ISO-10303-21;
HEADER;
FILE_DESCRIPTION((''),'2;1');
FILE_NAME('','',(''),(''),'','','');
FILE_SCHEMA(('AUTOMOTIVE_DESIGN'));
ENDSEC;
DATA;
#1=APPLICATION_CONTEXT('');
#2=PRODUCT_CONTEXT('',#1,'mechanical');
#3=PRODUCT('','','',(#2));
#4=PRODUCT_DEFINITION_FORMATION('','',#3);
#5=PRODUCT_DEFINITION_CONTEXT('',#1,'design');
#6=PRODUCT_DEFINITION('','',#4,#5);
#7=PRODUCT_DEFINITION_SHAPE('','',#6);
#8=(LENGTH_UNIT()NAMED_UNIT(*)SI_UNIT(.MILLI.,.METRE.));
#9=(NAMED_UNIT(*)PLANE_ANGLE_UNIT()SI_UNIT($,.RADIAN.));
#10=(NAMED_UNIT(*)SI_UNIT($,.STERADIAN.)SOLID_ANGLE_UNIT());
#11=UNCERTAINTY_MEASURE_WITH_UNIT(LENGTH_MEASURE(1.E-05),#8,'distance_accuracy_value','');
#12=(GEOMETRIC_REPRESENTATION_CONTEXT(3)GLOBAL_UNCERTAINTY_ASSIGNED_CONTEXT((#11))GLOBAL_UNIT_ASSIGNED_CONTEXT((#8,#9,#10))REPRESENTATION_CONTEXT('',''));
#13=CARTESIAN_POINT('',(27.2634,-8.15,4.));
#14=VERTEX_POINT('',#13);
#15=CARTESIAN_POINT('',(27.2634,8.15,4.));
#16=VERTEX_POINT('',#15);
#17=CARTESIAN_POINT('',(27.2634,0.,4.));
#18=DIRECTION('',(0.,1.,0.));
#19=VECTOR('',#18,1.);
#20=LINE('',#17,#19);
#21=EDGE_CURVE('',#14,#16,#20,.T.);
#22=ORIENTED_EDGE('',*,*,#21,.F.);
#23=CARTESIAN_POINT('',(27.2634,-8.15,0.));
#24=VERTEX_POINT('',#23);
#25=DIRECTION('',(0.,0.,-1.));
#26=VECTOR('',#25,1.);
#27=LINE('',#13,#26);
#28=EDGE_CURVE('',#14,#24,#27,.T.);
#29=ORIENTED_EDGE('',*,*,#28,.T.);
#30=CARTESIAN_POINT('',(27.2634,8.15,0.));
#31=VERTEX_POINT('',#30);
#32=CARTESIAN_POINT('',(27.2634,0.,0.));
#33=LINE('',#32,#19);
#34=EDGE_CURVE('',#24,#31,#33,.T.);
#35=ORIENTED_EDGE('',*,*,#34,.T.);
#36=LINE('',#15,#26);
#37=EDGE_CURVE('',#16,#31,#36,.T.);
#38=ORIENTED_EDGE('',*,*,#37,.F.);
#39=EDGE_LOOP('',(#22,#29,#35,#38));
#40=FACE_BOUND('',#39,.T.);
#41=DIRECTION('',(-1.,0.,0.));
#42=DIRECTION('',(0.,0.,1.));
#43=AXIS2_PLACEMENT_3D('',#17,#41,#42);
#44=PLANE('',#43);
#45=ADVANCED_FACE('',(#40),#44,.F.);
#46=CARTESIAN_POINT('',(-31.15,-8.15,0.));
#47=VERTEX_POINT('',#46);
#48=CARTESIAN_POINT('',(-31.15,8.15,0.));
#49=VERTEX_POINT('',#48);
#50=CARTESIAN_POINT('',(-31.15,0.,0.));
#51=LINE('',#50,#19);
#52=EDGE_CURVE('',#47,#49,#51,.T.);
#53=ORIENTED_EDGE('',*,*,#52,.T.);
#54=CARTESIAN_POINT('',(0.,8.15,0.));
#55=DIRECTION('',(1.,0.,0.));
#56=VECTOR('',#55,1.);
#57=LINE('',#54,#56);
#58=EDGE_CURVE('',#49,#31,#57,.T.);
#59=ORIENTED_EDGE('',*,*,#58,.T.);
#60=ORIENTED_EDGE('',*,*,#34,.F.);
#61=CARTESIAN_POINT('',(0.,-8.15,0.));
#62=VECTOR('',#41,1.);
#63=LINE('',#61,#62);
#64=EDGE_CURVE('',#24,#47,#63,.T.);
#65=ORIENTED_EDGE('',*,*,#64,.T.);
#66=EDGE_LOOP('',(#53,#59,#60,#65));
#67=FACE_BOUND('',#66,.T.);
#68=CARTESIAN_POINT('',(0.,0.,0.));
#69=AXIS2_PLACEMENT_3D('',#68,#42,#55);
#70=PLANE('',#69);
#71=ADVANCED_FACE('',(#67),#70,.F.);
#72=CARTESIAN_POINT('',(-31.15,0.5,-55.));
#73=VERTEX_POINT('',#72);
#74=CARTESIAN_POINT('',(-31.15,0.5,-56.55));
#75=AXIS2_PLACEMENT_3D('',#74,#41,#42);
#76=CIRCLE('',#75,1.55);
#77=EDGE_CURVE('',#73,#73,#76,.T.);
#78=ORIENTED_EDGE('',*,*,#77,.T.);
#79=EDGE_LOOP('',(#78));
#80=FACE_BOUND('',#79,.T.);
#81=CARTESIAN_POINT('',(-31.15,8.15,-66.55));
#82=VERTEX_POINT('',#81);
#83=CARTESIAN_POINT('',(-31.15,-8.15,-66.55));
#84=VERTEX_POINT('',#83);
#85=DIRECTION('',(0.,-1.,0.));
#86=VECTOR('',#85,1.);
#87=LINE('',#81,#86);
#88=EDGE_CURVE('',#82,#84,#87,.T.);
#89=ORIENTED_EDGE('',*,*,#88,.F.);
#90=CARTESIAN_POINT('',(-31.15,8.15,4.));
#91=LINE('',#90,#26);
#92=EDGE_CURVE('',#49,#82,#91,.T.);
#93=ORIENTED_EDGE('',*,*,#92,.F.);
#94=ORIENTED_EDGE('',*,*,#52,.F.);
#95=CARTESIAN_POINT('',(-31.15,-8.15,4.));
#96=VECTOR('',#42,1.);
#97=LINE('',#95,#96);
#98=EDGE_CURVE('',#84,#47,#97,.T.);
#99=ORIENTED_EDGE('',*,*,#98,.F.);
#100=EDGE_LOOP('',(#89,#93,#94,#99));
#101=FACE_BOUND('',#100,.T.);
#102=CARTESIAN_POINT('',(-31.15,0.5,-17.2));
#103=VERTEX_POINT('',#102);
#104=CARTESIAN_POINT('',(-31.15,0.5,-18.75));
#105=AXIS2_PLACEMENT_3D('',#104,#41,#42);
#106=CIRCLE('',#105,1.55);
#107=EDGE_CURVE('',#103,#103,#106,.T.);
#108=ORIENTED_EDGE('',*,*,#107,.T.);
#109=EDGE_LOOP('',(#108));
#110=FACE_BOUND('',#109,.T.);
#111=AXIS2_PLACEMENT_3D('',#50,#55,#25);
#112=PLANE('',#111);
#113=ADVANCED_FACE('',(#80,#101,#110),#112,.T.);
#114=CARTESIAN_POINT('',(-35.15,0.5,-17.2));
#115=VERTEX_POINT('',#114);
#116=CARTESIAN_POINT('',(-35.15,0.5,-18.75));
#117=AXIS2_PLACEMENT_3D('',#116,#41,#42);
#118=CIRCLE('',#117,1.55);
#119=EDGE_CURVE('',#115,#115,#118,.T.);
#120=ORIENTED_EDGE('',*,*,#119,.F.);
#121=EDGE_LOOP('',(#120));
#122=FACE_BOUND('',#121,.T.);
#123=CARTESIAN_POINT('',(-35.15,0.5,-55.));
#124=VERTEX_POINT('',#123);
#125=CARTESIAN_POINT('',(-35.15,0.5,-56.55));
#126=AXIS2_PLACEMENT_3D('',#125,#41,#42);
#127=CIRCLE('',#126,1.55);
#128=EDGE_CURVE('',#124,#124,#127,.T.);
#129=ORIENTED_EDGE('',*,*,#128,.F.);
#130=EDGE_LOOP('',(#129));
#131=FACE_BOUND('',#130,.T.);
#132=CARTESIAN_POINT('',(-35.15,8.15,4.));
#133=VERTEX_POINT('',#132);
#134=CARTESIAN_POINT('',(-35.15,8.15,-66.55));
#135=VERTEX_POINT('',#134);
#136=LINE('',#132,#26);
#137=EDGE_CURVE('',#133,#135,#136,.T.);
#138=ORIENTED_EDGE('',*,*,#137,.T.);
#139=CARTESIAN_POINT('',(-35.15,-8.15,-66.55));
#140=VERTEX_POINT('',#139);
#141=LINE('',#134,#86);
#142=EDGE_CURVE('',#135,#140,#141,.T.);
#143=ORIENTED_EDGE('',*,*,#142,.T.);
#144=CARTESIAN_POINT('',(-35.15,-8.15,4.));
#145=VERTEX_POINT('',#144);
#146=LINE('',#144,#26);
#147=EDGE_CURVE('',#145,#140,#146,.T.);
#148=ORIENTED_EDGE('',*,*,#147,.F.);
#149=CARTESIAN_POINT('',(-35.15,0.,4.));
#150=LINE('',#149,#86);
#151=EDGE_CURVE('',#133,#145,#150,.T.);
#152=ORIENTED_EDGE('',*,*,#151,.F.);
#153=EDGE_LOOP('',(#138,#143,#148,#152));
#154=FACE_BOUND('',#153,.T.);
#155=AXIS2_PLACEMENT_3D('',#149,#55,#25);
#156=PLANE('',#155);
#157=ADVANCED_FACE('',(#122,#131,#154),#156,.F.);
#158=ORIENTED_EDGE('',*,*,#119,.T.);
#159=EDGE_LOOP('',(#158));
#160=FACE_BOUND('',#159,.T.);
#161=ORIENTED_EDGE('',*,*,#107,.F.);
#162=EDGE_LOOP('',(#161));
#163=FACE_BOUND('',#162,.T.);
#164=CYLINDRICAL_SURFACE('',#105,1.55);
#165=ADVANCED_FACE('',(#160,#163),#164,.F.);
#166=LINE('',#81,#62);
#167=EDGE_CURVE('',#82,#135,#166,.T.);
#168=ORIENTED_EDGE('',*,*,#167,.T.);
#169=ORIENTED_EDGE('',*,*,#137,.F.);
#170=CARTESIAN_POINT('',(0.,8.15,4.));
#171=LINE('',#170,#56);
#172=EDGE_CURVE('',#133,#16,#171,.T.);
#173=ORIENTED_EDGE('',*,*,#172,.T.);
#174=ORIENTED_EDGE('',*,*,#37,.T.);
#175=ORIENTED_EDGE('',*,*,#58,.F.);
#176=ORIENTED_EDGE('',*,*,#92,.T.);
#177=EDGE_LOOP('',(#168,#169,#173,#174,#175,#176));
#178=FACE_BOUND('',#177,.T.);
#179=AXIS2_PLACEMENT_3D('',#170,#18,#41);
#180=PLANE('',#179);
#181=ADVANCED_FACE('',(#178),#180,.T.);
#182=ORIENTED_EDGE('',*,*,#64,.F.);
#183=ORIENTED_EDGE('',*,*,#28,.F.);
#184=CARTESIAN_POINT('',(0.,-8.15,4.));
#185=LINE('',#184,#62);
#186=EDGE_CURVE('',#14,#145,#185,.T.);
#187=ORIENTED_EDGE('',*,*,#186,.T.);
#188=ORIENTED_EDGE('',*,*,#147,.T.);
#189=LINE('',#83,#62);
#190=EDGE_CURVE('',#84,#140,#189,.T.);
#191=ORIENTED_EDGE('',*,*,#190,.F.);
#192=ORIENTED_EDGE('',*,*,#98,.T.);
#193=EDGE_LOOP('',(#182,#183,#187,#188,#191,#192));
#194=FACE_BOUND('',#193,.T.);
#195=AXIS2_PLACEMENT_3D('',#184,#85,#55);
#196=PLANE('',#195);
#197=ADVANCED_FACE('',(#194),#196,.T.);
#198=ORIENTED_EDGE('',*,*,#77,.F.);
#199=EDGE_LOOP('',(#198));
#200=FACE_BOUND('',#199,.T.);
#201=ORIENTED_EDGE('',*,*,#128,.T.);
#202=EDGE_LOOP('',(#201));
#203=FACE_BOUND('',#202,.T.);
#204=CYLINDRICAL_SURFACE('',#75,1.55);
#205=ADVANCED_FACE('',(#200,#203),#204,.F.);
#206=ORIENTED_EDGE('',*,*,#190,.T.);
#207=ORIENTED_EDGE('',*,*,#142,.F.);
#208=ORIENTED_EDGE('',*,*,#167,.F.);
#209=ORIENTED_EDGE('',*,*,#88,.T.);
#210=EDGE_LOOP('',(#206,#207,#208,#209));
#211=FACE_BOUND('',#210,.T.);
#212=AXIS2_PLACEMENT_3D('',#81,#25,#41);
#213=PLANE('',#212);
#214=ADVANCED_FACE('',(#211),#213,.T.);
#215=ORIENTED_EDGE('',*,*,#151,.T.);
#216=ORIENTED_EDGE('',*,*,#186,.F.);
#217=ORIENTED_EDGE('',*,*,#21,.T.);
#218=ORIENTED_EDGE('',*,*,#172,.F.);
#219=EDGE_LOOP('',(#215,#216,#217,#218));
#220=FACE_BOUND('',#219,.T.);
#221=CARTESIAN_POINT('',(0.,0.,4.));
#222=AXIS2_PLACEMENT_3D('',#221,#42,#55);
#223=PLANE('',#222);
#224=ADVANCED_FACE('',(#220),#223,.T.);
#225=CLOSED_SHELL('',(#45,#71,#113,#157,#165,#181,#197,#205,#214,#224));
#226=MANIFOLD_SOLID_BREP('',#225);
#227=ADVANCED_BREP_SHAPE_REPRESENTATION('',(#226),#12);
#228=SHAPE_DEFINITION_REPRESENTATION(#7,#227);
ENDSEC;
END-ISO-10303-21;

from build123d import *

# Parameters (mm, degrees)
SKETCH_1_W      = 62.4134
SKETCH_1_H      = 16.3
EXTRUDE_1_DEPTH = 4
SKETCH_3_W      = 70.55
SKETCH_3_H      = 16.3
SKETCH_3_R      = 1.55
EXTRUDE_3_DEPTH = 4


with BuildPart() as part:
    # 草图1 → 凸台-拉伸1 (new body)
    with BuildSketch(Plane.XY):
        with Locations((-3.9433, 0)):
            Rectangle(SKETCH_1_W, SKETCH_1_H)
    extrude(amount=EXTRUDE_1_DEPTH)

    # 草图3 → 凸台-拉伸3 (add)
    with BuildSketch(Plane.ZY.offset(35.15)):
        with Locations((-31.275, 0)):
            Rectangle(SKETCH_3_W, SKETCH_3_H)
        with Locations((-56.55, 0.5)):
            Circle(SKETCH_3_R, mode=Mode.SUBTRACT)
        with Locations((-18.75, 0.5)):
            Circle(SKETCH_3_R, mode=Mode.SUBTRACT)
    extrude(amount=-EXTRUDE_3_DEPTH)


solid = part.part
